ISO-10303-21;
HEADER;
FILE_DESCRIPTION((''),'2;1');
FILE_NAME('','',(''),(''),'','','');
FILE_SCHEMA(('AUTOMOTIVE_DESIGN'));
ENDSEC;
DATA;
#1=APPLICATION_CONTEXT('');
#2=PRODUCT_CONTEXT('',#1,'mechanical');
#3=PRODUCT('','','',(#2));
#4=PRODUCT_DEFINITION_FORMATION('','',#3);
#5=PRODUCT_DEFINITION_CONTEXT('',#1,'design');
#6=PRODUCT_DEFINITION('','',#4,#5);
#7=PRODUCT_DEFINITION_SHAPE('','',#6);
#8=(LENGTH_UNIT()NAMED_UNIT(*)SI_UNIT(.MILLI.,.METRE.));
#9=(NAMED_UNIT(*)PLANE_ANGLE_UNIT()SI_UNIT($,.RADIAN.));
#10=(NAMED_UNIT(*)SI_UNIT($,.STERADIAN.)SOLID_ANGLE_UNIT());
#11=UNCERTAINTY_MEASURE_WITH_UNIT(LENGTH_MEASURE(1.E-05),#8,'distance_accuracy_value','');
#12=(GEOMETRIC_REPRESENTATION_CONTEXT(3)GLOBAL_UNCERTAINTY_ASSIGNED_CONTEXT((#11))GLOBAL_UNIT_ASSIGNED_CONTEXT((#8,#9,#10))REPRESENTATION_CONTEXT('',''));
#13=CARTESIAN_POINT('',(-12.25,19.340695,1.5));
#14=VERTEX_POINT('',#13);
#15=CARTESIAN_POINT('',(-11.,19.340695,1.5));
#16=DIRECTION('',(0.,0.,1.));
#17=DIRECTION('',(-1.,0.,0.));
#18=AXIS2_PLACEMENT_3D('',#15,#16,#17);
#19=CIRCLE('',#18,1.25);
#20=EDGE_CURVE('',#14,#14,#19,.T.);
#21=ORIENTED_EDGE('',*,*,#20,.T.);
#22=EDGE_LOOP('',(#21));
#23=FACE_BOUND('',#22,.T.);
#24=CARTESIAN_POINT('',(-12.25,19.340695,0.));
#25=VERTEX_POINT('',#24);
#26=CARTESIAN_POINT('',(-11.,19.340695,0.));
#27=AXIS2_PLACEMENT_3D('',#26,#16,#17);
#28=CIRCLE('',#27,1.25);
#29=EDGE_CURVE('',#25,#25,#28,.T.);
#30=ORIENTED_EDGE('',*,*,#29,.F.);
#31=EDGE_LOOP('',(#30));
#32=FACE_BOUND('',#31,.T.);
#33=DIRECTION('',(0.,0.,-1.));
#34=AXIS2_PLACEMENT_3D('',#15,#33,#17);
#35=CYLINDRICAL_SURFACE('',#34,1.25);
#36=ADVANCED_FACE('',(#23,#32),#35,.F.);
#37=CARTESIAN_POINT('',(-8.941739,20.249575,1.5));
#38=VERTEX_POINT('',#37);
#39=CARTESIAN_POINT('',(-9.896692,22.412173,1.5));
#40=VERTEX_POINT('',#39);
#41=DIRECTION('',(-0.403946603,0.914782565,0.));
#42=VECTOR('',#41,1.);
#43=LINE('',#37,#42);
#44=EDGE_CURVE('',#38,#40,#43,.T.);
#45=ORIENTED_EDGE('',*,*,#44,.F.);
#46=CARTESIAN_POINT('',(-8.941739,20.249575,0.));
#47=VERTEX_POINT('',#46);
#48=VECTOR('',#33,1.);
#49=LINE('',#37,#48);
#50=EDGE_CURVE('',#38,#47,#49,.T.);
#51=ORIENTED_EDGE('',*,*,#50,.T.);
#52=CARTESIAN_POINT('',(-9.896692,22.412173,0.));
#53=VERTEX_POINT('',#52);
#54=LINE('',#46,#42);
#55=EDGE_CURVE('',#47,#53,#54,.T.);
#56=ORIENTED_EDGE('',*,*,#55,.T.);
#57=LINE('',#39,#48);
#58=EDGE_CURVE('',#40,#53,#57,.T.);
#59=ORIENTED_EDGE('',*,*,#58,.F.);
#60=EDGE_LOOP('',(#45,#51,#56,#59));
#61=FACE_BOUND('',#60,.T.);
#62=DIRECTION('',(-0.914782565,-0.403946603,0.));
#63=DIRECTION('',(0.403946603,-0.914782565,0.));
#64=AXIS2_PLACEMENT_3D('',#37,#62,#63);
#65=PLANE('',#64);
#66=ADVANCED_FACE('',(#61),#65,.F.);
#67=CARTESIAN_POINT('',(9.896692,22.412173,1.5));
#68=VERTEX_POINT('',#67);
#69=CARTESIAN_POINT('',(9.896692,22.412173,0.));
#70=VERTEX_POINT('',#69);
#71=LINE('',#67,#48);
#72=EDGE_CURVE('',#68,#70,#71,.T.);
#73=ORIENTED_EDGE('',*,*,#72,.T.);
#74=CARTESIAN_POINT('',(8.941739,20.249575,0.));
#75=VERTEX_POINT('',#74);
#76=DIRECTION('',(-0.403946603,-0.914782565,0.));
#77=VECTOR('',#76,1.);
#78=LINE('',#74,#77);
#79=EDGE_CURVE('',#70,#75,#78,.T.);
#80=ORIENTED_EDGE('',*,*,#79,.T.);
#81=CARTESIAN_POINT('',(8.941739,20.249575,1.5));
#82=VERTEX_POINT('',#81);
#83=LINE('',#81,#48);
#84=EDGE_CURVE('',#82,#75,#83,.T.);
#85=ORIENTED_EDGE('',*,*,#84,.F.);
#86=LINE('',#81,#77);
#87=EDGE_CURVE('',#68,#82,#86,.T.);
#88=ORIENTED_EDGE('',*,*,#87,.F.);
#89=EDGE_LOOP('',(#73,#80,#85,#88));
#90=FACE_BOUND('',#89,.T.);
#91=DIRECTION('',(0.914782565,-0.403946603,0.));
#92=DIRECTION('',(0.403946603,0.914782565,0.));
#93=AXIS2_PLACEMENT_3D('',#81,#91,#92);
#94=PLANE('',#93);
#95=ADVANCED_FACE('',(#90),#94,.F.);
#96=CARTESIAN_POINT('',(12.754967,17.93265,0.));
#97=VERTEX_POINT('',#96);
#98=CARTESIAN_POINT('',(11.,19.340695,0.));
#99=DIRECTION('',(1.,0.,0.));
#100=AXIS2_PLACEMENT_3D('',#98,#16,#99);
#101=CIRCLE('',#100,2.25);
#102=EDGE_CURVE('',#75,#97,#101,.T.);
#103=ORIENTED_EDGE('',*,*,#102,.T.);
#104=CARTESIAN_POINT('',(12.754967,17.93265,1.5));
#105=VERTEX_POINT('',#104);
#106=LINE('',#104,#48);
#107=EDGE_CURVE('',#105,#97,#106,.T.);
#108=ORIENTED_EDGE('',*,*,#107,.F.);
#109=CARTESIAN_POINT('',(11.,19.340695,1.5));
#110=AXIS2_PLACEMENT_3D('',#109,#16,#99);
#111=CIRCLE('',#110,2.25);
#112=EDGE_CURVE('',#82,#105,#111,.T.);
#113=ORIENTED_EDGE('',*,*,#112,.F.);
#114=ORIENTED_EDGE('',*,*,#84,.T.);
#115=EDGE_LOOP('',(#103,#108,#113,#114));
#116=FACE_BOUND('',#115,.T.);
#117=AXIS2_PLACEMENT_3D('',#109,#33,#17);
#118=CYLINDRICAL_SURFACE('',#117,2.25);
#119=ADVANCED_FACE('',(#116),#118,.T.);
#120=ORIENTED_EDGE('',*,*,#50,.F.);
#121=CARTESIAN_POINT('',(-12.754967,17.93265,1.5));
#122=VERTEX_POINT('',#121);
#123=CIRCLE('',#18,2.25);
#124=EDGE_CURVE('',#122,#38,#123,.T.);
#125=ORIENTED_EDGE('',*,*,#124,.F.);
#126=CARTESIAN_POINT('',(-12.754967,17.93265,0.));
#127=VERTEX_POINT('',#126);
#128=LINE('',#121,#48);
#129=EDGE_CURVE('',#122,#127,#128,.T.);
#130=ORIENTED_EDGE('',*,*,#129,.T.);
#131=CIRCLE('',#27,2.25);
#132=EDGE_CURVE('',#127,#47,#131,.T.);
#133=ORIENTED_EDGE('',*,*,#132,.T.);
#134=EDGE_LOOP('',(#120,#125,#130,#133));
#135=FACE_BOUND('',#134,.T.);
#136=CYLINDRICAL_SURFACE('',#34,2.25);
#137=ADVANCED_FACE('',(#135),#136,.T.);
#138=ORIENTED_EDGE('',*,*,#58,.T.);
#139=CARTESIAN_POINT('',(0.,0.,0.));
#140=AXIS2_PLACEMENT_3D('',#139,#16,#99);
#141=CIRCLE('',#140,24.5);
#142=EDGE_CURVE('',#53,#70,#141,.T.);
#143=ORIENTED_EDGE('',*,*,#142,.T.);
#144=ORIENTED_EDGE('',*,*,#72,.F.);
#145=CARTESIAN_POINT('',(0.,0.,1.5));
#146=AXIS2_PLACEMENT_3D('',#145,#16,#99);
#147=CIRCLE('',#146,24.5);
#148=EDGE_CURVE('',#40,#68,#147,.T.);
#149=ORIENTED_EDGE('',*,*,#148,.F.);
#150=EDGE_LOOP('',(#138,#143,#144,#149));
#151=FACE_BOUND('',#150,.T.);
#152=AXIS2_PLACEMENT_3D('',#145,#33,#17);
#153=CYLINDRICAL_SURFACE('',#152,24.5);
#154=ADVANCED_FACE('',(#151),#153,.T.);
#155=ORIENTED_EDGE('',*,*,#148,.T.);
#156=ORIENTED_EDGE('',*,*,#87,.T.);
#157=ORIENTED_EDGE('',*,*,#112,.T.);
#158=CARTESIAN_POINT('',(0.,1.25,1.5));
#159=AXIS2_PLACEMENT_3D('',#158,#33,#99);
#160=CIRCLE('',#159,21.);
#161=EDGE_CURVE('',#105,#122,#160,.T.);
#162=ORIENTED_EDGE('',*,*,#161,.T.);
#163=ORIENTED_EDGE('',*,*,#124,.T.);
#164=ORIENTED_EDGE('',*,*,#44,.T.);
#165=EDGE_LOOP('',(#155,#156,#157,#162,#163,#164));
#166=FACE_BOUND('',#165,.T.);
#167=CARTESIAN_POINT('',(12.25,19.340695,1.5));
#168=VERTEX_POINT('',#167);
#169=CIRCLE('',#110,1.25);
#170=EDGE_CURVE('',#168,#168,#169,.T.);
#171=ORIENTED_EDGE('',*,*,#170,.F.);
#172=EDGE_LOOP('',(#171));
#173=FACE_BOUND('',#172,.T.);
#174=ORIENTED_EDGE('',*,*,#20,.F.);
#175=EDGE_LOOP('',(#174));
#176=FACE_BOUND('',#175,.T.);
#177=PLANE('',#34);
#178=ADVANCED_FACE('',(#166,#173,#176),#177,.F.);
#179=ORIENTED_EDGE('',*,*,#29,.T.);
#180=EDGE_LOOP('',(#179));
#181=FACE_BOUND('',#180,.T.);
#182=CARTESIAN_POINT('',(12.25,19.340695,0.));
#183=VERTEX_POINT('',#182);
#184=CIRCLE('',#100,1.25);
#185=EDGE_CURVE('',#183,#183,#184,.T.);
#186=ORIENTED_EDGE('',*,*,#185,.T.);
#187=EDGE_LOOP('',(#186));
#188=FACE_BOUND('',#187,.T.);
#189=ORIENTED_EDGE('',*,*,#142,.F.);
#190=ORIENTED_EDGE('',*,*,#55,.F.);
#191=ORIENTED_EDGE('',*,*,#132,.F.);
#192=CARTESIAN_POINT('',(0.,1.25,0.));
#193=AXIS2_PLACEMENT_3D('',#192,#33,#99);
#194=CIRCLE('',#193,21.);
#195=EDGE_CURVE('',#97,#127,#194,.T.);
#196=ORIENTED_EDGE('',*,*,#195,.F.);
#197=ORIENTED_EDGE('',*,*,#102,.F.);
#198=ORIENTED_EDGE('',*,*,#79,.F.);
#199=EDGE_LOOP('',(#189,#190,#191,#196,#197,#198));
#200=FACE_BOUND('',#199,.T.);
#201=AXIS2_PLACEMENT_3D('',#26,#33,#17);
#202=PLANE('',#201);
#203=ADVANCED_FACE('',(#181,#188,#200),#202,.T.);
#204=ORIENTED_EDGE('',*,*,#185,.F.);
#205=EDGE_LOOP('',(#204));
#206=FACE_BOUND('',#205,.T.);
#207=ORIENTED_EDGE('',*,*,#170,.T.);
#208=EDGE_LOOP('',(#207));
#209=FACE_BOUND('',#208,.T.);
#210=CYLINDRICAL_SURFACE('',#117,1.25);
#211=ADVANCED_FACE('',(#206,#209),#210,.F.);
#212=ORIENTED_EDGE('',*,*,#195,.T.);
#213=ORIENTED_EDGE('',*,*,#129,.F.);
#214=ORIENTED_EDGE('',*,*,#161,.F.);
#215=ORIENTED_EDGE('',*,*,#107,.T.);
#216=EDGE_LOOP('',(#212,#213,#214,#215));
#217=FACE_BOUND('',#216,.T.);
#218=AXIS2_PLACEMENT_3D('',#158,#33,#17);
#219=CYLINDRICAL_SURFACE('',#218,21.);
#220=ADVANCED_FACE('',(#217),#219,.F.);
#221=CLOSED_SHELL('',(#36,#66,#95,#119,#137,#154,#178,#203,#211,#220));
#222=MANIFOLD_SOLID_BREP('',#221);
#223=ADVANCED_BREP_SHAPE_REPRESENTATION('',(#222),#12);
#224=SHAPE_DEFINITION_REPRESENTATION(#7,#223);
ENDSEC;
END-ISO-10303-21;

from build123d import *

# Parameters (mm, degrees)
ESQUISSE1_R      = 1.25
EXTRUSION1_DEPTH = 1.5


with BuildPart() as part:
    # Esquisse1 → Extrusion1 (new body)
    with BuildSketch(Plane.XY):
        with BuildLine():
            Line((8.941739228, 20.249575294), (9.896691771, 22.412172853))
            ThreePointArc((9.896691771, 22.412172853), (0, -24.5), (-9.896691771, 22.412172853))
            Line((-9.896691771, 22.412172853), (-8.941739228, 20.249575294))
            ThreePointArc((-8.941739228, 20.249575294), (-9.831654076, 17.417815357), (-12.754966888, 17.93265026))
            ThreePointArc((-12.754966888, 17.93265026), (0, -19.75), (12.754966888, 17.93265026))
            ThreePointArc((12.754966888, 17.93265026), (9.831654076, 17.417815357), (8.941739228, 20.249575294))
        make_face()
        with Locations((11, 19.340695437)):
            Circle(ESQUISSE1_R, mode=Mode.SUBTRACT)
        with Locations((-11, 19.340695437)):
            Circle(ESQUISSE1_R, mode=Mode.SUBTRACT)
    extrude(amount=EXTRUSION1_DEPTH)


solid = part.part
